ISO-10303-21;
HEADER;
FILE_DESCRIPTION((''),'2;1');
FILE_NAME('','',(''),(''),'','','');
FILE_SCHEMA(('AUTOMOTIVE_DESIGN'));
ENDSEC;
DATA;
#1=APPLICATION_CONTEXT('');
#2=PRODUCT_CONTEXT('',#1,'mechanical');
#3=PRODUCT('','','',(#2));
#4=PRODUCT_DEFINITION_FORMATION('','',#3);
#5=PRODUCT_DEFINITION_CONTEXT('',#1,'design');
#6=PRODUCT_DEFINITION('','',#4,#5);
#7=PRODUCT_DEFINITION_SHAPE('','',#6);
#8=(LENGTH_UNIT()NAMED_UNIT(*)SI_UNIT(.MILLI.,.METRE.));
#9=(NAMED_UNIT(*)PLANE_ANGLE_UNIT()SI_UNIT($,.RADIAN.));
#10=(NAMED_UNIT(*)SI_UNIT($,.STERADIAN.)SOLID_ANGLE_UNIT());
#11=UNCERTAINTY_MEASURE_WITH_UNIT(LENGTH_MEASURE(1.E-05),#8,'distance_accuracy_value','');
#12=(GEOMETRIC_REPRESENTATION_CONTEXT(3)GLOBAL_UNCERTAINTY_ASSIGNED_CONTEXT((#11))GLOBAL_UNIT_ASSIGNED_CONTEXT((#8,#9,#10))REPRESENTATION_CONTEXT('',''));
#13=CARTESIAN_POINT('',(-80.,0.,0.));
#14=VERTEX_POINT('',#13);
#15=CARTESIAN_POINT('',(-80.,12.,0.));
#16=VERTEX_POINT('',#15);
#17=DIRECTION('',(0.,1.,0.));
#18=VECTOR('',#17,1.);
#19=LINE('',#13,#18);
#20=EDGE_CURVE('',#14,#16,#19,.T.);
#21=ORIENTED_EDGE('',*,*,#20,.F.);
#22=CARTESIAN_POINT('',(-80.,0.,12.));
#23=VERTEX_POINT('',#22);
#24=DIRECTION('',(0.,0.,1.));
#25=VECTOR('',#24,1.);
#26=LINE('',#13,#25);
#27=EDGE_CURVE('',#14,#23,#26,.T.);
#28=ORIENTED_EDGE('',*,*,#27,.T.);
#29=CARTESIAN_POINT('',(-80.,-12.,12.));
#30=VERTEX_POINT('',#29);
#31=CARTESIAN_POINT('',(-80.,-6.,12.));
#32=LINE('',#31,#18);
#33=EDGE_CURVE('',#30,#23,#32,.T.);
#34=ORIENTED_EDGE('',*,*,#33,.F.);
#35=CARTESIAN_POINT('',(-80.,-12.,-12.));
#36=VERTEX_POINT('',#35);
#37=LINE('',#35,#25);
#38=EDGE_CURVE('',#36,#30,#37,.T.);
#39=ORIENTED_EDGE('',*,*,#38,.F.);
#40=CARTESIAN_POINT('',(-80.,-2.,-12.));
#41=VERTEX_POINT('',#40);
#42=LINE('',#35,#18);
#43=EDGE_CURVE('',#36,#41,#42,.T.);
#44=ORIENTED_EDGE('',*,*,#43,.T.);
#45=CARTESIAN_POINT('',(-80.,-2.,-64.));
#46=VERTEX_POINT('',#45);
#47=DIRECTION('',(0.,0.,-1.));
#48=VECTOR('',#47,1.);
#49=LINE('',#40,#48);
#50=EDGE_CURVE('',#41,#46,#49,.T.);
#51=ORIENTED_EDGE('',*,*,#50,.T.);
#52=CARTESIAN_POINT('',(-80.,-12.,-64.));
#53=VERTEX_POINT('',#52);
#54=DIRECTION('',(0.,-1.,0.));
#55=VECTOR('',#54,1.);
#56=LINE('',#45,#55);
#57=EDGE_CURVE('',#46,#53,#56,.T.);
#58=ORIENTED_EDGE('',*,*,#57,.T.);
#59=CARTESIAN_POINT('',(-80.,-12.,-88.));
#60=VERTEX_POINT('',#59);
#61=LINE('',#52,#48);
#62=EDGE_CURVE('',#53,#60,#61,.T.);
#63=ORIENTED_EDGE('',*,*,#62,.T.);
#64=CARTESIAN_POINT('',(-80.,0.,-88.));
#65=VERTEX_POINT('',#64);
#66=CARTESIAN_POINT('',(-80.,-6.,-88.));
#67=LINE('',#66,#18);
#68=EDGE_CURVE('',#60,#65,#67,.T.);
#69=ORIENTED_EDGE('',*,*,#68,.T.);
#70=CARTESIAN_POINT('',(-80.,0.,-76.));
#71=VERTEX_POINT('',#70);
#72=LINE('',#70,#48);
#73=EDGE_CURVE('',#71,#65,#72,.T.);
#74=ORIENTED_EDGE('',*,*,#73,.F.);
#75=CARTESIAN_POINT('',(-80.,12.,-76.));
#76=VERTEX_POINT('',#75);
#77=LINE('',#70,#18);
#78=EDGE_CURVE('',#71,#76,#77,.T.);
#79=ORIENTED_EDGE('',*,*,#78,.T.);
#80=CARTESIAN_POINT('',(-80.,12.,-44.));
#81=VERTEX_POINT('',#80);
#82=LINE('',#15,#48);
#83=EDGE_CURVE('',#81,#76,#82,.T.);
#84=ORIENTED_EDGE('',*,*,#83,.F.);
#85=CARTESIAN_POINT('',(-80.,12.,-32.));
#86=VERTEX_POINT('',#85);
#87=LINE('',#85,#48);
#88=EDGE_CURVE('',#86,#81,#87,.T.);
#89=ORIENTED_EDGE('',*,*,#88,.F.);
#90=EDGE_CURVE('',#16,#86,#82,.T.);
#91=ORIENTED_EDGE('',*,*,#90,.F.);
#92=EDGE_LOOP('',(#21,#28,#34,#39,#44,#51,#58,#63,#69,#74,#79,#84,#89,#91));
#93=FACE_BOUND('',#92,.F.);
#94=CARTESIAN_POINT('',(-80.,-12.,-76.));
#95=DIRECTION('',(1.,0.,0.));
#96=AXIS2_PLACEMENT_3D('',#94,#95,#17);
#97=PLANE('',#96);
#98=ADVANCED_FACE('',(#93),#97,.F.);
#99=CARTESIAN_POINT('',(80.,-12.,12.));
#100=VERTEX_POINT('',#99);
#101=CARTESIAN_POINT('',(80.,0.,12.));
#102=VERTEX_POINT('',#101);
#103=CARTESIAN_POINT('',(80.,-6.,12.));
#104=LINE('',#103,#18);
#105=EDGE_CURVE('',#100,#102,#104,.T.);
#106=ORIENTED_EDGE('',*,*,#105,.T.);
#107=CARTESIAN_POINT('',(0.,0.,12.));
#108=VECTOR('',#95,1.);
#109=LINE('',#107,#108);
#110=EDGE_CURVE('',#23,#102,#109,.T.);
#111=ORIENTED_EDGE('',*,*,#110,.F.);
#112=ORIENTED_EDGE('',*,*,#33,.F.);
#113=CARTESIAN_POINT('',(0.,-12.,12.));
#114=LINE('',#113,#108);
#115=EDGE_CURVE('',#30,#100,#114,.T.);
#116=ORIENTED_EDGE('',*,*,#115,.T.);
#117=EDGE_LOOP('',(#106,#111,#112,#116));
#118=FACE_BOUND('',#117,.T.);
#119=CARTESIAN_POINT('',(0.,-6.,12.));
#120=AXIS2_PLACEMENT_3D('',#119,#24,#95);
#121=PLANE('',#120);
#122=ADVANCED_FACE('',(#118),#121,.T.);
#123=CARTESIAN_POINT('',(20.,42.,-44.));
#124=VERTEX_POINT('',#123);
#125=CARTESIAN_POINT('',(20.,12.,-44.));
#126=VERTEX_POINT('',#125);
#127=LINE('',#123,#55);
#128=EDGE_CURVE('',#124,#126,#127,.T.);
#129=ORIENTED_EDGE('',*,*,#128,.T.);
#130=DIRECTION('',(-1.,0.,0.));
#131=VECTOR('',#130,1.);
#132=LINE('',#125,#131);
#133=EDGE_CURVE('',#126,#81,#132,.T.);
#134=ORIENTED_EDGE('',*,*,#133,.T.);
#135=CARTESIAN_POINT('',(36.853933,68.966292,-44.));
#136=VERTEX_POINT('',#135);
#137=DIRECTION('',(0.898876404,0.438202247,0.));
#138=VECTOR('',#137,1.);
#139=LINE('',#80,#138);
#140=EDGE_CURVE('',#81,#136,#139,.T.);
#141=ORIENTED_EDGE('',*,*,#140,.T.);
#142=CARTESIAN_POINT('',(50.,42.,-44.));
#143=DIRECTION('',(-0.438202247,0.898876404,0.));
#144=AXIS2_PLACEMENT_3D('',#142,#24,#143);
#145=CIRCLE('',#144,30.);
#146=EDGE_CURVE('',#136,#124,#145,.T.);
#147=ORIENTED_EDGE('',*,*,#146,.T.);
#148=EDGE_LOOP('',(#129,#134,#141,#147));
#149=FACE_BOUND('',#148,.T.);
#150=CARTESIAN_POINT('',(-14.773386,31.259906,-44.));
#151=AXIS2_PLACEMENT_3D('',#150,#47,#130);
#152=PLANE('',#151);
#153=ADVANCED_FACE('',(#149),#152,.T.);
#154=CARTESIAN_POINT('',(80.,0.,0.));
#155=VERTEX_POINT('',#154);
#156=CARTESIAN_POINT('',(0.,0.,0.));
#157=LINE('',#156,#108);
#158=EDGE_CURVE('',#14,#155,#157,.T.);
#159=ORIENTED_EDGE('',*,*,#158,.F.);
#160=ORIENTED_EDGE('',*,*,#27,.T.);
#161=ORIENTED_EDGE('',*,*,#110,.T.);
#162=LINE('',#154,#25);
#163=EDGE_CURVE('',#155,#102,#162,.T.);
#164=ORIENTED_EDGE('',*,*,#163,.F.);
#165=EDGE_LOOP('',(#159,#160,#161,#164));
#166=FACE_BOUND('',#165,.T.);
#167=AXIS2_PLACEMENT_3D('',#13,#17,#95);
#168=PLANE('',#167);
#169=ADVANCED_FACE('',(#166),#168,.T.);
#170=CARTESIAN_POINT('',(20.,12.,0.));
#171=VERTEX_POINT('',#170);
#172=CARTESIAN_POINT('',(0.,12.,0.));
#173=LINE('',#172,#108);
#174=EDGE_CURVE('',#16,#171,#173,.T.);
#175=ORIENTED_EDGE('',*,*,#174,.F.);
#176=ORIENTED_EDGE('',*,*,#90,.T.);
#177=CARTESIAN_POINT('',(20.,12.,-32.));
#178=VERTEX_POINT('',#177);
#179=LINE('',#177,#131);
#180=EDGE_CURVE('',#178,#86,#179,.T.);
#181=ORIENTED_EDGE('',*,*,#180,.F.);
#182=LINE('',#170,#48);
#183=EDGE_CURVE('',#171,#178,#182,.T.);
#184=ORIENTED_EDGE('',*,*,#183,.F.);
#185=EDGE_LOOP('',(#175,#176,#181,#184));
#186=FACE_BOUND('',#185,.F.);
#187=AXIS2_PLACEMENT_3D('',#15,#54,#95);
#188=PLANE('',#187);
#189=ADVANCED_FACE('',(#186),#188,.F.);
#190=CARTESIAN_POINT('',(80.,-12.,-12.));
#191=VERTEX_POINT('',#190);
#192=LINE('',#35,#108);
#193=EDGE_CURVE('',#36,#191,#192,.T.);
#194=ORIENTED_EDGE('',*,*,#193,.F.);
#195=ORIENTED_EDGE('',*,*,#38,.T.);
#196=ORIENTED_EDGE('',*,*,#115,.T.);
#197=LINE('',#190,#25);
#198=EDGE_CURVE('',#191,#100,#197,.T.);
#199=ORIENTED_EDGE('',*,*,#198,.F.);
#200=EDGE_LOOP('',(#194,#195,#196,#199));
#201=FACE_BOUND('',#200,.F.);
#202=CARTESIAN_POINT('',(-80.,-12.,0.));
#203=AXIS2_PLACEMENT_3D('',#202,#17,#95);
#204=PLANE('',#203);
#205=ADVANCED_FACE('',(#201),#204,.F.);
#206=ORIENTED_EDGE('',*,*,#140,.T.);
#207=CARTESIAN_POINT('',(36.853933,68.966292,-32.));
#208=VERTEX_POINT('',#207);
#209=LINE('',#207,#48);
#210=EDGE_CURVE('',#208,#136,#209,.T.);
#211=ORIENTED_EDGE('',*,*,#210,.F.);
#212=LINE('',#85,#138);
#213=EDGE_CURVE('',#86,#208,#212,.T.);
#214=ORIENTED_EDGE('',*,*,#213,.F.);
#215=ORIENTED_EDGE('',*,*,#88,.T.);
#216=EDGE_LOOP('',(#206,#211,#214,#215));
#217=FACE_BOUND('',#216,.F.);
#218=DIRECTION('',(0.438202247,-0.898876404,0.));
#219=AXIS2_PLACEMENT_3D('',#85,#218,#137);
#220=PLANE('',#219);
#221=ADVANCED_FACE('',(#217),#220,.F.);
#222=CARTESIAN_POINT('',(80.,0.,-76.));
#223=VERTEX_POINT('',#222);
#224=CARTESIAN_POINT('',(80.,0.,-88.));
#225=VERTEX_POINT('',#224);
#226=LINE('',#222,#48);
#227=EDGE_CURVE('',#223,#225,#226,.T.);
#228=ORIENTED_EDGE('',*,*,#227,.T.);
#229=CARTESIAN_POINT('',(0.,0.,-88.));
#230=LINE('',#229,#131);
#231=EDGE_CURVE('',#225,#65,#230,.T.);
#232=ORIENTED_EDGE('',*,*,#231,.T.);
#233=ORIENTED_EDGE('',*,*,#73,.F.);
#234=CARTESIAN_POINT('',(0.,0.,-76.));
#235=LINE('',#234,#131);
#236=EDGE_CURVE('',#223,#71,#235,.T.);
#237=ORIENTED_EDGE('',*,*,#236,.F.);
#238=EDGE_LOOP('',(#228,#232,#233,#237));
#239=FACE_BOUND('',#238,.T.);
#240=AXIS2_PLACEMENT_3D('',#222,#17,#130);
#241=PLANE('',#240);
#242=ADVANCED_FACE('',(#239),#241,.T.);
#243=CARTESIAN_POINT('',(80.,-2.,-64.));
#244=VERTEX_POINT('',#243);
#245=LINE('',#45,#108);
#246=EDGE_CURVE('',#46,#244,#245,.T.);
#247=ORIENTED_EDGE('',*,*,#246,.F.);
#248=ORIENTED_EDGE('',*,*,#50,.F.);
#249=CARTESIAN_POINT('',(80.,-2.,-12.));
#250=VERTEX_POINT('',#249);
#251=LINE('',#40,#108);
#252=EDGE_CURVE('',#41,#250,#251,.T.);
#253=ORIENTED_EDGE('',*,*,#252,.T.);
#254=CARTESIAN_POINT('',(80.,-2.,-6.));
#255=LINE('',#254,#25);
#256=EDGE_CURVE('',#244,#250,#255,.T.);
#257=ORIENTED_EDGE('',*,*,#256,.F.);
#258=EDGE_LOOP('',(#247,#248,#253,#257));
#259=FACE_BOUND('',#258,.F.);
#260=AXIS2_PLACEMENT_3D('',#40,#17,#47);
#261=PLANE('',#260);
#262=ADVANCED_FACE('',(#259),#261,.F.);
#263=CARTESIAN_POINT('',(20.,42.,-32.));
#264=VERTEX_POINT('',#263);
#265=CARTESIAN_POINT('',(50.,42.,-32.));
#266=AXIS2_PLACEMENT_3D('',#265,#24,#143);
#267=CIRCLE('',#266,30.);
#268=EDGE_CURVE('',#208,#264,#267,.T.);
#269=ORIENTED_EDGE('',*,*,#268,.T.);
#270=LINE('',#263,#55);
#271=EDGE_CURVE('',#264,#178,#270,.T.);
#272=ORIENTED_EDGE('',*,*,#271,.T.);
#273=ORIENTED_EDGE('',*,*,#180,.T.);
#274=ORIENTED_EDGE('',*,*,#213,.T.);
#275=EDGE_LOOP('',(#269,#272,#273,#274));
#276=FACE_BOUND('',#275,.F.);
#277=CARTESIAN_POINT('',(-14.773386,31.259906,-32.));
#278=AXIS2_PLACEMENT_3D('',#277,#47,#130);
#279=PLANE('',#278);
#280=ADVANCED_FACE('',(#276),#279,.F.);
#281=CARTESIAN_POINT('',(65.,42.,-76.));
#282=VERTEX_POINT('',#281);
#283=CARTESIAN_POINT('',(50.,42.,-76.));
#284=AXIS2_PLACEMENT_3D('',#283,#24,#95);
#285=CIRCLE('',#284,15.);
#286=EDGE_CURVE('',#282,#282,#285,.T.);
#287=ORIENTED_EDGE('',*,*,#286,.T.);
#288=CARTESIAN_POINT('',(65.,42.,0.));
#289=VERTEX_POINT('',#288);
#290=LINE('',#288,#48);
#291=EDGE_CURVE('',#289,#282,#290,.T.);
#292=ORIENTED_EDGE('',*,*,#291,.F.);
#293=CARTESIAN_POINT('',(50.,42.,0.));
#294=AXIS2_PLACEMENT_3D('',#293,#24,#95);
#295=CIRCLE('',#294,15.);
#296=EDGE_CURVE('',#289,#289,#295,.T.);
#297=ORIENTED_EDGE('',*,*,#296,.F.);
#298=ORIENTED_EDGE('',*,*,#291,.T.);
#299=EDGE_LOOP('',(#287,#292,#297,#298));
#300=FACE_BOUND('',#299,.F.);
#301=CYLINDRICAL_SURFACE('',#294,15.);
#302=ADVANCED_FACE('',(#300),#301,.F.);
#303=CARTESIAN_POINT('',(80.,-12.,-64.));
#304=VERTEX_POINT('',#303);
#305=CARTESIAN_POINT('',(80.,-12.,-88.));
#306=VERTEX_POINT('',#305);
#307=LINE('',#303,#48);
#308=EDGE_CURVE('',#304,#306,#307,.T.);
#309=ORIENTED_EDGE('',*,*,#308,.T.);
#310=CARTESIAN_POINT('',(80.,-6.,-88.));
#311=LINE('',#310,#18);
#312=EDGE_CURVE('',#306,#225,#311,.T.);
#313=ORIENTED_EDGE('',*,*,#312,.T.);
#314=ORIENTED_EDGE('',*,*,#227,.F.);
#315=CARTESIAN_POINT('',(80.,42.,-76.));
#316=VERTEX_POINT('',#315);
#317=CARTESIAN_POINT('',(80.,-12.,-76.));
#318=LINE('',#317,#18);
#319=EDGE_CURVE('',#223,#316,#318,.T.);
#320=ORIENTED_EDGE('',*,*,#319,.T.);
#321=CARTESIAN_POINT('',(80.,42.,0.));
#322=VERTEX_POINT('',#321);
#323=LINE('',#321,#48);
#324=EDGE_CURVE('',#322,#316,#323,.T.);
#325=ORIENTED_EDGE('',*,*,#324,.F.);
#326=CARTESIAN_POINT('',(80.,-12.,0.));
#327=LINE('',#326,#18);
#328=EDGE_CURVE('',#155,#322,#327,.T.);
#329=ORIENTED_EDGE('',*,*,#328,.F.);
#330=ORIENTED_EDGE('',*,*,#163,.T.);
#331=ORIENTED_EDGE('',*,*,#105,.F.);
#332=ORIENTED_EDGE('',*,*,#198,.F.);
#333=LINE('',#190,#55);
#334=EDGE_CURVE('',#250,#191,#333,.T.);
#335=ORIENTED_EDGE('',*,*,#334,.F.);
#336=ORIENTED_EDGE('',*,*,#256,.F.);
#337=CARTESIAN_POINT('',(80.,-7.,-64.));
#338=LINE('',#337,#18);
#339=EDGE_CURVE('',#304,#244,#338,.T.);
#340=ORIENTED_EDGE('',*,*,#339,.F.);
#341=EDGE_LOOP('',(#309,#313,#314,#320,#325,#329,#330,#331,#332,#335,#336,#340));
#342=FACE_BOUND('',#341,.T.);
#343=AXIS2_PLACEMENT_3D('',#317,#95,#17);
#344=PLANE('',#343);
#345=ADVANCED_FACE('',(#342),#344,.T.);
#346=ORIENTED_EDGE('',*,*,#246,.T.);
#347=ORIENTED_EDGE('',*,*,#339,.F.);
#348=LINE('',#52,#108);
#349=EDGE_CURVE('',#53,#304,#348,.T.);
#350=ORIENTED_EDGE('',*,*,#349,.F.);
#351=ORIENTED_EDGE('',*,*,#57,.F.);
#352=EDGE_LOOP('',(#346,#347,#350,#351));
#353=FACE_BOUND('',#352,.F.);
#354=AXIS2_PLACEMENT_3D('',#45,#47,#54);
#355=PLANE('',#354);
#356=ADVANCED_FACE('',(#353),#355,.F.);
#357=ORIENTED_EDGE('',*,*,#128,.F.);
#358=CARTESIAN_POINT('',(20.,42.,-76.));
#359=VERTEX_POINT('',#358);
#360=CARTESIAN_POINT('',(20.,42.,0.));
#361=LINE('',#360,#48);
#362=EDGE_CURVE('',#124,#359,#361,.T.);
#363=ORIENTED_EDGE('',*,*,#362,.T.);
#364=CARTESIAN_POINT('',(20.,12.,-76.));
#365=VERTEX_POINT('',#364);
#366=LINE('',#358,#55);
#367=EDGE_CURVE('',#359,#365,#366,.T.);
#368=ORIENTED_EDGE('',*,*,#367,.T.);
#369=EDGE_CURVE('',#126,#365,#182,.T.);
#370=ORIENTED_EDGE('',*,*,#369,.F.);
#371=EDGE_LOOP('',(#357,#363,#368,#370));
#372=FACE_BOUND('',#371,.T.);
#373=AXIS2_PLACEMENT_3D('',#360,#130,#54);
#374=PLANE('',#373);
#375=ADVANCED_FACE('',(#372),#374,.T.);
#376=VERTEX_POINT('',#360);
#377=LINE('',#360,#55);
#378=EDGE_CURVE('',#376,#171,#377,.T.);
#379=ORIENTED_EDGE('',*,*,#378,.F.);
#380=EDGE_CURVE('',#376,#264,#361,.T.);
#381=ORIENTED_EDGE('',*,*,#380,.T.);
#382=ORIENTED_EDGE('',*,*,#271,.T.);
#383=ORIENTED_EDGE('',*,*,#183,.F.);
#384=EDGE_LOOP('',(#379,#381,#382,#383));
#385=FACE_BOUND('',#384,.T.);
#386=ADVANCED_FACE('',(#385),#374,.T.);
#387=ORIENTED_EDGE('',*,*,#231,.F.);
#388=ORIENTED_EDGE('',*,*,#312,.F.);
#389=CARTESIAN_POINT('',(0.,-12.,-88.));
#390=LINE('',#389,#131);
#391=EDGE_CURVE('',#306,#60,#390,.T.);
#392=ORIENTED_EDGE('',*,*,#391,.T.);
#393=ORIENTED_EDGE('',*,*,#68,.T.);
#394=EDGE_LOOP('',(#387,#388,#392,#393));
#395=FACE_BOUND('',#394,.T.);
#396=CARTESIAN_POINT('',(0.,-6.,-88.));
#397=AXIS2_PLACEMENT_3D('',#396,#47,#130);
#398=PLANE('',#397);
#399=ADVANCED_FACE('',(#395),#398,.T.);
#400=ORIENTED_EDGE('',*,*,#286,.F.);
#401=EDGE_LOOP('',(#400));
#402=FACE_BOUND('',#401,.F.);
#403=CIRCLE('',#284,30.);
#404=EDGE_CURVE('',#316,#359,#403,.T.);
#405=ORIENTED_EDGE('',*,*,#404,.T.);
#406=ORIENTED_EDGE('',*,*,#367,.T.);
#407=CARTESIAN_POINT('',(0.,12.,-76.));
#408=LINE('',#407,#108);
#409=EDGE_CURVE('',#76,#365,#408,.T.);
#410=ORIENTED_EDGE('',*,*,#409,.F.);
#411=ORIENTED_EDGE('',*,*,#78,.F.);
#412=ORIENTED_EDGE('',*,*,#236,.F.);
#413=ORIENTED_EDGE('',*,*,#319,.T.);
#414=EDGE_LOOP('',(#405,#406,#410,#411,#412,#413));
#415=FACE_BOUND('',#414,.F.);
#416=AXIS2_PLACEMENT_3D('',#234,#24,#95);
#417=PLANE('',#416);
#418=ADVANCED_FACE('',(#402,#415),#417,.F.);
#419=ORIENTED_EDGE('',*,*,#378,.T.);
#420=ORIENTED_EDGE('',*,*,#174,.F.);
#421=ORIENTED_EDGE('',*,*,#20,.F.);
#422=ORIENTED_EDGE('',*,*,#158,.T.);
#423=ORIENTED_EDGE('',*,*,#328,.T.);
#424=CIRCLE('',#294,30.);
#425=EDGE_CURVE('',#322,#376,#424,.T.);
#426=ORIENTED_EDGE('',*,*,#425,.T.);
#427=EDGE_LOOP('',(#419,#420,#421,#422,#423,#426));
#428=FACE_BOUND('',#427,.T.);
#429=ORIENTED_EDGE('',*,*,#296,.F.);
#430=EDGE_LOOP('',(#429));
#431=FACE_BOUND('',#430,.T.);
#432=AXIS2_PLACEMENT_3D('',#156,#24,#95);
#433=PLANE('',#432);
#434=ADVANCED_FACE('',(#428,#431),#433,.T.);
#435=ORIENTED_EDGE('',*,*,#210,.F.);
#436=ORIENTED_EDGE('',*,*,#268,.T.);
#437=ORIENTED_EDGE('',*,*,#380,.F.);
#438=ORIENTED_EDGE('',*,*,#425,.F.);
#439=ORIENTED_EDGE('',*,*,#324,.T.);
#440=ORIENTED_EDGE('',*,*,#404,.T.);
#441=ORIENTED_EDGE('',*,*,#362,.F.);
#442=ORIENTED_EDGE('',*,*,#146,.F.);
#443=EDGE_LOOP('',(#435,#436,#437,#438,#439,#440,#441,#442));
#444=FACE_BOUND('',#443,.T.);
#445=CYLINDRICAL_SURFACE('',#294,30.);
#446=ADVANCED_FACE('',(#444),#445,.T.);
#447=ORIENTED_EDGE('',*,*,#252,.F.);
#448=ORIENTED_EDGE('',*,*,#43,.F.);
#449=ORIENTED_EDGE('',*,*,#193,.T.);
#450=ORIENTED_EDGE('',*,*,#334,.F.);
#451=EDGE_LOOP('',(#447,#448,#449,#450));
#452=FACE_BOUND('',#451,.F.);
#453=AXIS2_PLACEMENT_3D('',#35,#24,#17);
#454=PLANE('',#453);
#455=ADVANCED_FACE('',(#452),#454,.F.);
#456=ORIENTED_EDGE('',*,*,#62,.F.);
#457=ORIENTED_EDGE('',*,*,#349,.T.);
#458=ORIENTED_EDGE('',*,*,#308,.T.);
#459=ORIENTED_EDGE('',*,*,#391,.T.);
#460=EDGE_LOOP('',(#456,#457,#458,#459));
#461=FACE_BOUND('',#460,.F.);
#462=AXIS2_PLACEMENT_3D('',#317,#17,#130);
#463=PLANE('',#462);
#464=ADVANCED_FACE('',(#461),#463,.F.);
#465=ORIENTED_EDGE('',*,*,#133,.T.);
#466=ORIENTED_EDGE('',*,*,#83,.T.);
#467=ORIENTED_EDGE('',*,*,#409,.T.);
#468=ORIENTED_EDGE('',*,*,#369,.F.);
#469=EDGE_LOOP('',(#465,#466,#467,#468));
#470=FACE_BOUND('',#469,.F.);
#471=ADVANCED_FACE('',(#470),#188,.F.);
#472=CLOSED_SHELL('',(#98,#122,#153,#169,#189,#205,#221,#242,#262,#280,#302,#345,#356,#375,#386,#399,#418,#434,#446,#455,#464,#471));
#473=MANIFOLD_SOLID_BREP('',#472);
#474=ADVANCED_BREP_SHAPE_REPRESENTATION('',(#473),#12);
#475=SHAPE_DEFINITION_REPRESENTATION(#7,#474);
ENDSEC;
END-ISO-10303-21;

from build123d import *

# Parameters (mm, degrees)
SKETCH1_W           = 160
SKETCH1_H           = 24
BOSS_EXTRUDE1_DEPTH = 76
BOSS_EXTRUDE2_DEPTH = 12
SKETCH3_R           = 15
CUT_EXTRUDE1_DEPTH  = 95
CUT_EXTRUDE2_DEPTH  = 196
SKETCH5_W           = 160
SKETCH5_H           = 12
BOSS_EXTRUDE3_DEPTH = 12
SKETCH6_W           = 160
SKETCH6_H           = 12
BOSS_EXTRUDE4_DEPTH = 12


with BuildPart() as part:
    # Sketch1 → Boss-Extrude1 (new body)
    with BuildSketch(Plane.XY):
        Rectangle(SKETCH1_W, SKETCH1_H)
        with BuildLine():
            Line((20, 42), (20, 12))
            Line((20, 12), (80, 12))
            Line((80, 12), (80, 42))
            ThreePointArc((80, 42), (50, 72), (20, 42))
        make_face()
    extrude(amount=-BOSS_EXTRUDE1_DEPTH)

    # Sketch2 → Boss-Extrude2 (add)
    with BuildSketch(Plane.XY.offset(-32)):
        with BuildLine():
            Line((-80, 12), (36.853932584, 68.966292135))
            ThreePointArc((36.853932584, 68.966292135), (24.56005088, 57.8999682), (20, 42))
            Line((20, 42), (20, 12))
            Line((20, 12), (-80, 12))
        make_face()
    extrude(amount=-BOSS_EXTRUDE2_DEPTH)

    # Sketch3 → Cut-Extrude1 (cut)
    with BuildSketch(Plane.XY):
        with Locations((50, 42)):
            Circle(SKETCH3_R)
    extrude(amount=-CUT_EXTRUDE1_DEPTH, mode=Mode.SUBTRACT)

    # Sketch4 → Cut-Extrude2 (cut)
    with BuildSketch(Plane.ZY.offset(80)):
        Polygon((-38, -12), (-12, -12), (-12, -2), (-64, -2), (-64, -12), align=None)
    extrude(amount=-CUT_EXTRUDE2_DEPTH, mode=Mode.SUBTRACT)

    # Sketch5 → Boss-Extrude3 (add)
    with BuildSketch(Plane.XY):
        with Locations((0, -6)):
            Rectangle(SKETCH5_W, SKETCH5_H)
    extrude(amount=BOSS_EXTRUDE3_DEPTH)

    # Sketch6 → Boss-Extrude4 (add)
    with BuildSketch(Plane(origin=(0, 0, -76), x_dir=(-1, 0, 0), z_dir=(0, 0, -1))):
        with Locations((0, -6)):
            Rectangle(SKETCH6_W, SKETCH6_H)
    extrude(amount=BOSS_EXTRUDE4_DEPTH)


solid = part.part
